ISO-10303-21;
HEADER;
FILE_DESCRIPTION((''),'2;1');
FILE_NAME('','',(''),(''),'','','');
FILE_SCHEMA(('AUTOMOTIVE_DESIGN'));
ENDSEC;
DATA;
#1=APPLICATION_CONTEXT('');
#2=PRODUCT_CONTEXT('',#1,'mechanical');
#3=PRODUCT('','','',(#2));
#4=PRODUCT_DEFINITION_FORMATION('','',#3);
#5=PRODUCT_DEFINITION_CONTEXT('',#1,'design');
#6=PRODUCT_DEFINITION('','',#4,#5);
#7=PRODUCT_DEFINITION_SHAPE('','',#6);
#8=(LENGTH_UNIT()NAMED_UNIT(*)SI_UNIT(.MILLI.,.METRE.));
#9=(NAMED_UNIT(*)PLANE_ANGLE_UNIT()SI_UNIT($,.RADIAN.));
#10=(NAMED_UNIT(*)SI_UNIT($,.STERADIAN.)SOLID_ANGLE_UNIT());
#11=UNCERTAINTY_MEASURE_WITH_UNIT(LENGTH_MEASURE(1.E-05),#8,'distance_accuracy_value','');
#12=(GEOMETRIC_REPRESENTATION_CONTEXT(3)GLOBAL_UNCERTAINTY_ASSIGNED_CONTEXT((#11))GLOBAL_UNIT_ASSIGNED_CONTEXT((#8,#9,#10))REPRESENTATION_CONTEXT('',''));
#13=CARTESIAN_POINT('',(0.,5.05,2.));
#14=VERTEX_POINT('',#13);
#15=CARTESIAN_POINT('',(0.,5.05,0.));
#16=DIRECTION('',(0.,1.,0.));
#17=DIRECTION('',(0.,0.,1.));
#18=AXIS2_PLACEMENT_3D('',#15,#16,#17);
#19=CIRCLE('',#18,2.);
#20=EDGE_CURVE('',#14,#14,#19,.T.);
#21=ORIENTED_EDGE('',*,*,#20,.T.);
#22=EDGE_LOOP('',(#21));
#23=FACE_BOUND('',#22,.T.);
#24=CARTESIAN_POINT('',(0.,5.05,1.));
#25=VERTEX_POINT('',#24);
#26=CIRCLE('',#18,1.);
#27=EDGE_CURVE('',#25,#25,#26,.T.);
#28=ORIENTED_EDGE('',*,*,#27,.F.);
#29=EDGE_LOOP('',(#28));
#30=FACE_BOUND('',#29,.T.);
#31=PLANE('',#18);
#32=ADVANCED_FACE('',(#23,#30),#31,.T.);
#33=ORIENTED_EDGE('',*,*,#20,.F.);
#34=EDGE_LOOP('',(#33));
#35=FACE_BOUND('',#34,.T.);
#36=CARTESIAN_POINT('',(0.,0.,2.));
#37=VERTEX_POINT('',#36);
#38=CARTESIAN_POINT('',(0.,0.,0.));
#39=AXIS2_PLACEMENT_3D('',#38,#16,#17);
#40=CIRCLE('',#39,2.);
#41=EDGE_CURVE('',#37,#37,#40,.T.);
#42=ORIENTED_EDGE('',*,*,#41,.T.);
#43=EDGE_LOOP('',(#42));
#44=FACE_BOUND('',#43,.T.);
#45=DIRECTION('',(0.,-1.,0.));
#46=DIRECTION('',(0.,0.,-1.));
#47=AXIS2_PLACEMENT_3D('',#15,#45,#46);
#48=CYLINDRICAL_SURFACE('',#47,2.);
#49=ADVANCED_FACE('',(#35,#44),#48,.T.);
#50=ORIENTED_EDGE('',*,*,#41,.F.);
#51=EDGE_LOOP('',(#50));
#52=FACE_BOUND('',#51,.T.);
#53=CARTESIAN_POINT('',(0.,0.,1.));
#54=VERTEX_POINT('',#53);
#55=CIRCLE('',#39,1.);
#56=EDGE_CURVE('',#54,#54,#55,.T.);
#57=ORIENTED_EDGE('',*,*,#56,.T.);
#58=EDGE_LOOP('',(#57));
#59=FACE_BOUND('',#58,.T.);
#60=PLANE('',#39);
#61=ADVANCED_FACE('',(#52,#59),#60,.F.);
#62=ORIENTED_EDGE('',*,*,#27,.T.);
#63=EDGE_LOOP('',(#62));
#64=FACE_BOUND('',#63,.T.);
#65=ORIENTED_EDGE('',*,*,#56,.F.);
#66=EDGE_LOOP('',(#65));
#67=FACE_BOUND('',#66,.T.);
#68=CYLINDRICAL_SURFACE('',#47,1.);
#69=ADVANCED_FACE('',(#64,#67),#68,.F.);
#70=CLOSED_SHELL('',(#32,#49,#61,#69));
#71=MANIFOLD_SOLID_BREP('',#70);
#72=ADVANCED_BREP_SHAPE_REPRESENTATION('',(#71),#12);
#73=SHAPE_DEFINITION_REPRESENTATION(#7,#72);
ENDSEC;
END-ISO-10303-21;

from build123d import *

# Parameters (mm, degrees)
SKETCH2_R           = 2
SKETCH2_R_2         = 1
BOSS_EXTRUDE1_DEPTH = 5.05


with BuildPart() as part:
    # Sketch2 → Boss-Extrude1 (new body)
    with BuildSketch(Plane(origin=(0, 0, 0), x_dir=(1, 0, 0), z_dir=(0, 1, 0))):
        with Locations(Location((0, 0, 0), (0, 0, 270))):
            Circle(SKETCH2_R)
        with Locations(Location((0, 0, 0), (0, 0, 270))):
            Circle(SKETCH2_R_2, mode=Mode.SUBTRACT)
    extrude(amount=BOSS_EXTRUDE1_DEPTH)


solid = part.part
